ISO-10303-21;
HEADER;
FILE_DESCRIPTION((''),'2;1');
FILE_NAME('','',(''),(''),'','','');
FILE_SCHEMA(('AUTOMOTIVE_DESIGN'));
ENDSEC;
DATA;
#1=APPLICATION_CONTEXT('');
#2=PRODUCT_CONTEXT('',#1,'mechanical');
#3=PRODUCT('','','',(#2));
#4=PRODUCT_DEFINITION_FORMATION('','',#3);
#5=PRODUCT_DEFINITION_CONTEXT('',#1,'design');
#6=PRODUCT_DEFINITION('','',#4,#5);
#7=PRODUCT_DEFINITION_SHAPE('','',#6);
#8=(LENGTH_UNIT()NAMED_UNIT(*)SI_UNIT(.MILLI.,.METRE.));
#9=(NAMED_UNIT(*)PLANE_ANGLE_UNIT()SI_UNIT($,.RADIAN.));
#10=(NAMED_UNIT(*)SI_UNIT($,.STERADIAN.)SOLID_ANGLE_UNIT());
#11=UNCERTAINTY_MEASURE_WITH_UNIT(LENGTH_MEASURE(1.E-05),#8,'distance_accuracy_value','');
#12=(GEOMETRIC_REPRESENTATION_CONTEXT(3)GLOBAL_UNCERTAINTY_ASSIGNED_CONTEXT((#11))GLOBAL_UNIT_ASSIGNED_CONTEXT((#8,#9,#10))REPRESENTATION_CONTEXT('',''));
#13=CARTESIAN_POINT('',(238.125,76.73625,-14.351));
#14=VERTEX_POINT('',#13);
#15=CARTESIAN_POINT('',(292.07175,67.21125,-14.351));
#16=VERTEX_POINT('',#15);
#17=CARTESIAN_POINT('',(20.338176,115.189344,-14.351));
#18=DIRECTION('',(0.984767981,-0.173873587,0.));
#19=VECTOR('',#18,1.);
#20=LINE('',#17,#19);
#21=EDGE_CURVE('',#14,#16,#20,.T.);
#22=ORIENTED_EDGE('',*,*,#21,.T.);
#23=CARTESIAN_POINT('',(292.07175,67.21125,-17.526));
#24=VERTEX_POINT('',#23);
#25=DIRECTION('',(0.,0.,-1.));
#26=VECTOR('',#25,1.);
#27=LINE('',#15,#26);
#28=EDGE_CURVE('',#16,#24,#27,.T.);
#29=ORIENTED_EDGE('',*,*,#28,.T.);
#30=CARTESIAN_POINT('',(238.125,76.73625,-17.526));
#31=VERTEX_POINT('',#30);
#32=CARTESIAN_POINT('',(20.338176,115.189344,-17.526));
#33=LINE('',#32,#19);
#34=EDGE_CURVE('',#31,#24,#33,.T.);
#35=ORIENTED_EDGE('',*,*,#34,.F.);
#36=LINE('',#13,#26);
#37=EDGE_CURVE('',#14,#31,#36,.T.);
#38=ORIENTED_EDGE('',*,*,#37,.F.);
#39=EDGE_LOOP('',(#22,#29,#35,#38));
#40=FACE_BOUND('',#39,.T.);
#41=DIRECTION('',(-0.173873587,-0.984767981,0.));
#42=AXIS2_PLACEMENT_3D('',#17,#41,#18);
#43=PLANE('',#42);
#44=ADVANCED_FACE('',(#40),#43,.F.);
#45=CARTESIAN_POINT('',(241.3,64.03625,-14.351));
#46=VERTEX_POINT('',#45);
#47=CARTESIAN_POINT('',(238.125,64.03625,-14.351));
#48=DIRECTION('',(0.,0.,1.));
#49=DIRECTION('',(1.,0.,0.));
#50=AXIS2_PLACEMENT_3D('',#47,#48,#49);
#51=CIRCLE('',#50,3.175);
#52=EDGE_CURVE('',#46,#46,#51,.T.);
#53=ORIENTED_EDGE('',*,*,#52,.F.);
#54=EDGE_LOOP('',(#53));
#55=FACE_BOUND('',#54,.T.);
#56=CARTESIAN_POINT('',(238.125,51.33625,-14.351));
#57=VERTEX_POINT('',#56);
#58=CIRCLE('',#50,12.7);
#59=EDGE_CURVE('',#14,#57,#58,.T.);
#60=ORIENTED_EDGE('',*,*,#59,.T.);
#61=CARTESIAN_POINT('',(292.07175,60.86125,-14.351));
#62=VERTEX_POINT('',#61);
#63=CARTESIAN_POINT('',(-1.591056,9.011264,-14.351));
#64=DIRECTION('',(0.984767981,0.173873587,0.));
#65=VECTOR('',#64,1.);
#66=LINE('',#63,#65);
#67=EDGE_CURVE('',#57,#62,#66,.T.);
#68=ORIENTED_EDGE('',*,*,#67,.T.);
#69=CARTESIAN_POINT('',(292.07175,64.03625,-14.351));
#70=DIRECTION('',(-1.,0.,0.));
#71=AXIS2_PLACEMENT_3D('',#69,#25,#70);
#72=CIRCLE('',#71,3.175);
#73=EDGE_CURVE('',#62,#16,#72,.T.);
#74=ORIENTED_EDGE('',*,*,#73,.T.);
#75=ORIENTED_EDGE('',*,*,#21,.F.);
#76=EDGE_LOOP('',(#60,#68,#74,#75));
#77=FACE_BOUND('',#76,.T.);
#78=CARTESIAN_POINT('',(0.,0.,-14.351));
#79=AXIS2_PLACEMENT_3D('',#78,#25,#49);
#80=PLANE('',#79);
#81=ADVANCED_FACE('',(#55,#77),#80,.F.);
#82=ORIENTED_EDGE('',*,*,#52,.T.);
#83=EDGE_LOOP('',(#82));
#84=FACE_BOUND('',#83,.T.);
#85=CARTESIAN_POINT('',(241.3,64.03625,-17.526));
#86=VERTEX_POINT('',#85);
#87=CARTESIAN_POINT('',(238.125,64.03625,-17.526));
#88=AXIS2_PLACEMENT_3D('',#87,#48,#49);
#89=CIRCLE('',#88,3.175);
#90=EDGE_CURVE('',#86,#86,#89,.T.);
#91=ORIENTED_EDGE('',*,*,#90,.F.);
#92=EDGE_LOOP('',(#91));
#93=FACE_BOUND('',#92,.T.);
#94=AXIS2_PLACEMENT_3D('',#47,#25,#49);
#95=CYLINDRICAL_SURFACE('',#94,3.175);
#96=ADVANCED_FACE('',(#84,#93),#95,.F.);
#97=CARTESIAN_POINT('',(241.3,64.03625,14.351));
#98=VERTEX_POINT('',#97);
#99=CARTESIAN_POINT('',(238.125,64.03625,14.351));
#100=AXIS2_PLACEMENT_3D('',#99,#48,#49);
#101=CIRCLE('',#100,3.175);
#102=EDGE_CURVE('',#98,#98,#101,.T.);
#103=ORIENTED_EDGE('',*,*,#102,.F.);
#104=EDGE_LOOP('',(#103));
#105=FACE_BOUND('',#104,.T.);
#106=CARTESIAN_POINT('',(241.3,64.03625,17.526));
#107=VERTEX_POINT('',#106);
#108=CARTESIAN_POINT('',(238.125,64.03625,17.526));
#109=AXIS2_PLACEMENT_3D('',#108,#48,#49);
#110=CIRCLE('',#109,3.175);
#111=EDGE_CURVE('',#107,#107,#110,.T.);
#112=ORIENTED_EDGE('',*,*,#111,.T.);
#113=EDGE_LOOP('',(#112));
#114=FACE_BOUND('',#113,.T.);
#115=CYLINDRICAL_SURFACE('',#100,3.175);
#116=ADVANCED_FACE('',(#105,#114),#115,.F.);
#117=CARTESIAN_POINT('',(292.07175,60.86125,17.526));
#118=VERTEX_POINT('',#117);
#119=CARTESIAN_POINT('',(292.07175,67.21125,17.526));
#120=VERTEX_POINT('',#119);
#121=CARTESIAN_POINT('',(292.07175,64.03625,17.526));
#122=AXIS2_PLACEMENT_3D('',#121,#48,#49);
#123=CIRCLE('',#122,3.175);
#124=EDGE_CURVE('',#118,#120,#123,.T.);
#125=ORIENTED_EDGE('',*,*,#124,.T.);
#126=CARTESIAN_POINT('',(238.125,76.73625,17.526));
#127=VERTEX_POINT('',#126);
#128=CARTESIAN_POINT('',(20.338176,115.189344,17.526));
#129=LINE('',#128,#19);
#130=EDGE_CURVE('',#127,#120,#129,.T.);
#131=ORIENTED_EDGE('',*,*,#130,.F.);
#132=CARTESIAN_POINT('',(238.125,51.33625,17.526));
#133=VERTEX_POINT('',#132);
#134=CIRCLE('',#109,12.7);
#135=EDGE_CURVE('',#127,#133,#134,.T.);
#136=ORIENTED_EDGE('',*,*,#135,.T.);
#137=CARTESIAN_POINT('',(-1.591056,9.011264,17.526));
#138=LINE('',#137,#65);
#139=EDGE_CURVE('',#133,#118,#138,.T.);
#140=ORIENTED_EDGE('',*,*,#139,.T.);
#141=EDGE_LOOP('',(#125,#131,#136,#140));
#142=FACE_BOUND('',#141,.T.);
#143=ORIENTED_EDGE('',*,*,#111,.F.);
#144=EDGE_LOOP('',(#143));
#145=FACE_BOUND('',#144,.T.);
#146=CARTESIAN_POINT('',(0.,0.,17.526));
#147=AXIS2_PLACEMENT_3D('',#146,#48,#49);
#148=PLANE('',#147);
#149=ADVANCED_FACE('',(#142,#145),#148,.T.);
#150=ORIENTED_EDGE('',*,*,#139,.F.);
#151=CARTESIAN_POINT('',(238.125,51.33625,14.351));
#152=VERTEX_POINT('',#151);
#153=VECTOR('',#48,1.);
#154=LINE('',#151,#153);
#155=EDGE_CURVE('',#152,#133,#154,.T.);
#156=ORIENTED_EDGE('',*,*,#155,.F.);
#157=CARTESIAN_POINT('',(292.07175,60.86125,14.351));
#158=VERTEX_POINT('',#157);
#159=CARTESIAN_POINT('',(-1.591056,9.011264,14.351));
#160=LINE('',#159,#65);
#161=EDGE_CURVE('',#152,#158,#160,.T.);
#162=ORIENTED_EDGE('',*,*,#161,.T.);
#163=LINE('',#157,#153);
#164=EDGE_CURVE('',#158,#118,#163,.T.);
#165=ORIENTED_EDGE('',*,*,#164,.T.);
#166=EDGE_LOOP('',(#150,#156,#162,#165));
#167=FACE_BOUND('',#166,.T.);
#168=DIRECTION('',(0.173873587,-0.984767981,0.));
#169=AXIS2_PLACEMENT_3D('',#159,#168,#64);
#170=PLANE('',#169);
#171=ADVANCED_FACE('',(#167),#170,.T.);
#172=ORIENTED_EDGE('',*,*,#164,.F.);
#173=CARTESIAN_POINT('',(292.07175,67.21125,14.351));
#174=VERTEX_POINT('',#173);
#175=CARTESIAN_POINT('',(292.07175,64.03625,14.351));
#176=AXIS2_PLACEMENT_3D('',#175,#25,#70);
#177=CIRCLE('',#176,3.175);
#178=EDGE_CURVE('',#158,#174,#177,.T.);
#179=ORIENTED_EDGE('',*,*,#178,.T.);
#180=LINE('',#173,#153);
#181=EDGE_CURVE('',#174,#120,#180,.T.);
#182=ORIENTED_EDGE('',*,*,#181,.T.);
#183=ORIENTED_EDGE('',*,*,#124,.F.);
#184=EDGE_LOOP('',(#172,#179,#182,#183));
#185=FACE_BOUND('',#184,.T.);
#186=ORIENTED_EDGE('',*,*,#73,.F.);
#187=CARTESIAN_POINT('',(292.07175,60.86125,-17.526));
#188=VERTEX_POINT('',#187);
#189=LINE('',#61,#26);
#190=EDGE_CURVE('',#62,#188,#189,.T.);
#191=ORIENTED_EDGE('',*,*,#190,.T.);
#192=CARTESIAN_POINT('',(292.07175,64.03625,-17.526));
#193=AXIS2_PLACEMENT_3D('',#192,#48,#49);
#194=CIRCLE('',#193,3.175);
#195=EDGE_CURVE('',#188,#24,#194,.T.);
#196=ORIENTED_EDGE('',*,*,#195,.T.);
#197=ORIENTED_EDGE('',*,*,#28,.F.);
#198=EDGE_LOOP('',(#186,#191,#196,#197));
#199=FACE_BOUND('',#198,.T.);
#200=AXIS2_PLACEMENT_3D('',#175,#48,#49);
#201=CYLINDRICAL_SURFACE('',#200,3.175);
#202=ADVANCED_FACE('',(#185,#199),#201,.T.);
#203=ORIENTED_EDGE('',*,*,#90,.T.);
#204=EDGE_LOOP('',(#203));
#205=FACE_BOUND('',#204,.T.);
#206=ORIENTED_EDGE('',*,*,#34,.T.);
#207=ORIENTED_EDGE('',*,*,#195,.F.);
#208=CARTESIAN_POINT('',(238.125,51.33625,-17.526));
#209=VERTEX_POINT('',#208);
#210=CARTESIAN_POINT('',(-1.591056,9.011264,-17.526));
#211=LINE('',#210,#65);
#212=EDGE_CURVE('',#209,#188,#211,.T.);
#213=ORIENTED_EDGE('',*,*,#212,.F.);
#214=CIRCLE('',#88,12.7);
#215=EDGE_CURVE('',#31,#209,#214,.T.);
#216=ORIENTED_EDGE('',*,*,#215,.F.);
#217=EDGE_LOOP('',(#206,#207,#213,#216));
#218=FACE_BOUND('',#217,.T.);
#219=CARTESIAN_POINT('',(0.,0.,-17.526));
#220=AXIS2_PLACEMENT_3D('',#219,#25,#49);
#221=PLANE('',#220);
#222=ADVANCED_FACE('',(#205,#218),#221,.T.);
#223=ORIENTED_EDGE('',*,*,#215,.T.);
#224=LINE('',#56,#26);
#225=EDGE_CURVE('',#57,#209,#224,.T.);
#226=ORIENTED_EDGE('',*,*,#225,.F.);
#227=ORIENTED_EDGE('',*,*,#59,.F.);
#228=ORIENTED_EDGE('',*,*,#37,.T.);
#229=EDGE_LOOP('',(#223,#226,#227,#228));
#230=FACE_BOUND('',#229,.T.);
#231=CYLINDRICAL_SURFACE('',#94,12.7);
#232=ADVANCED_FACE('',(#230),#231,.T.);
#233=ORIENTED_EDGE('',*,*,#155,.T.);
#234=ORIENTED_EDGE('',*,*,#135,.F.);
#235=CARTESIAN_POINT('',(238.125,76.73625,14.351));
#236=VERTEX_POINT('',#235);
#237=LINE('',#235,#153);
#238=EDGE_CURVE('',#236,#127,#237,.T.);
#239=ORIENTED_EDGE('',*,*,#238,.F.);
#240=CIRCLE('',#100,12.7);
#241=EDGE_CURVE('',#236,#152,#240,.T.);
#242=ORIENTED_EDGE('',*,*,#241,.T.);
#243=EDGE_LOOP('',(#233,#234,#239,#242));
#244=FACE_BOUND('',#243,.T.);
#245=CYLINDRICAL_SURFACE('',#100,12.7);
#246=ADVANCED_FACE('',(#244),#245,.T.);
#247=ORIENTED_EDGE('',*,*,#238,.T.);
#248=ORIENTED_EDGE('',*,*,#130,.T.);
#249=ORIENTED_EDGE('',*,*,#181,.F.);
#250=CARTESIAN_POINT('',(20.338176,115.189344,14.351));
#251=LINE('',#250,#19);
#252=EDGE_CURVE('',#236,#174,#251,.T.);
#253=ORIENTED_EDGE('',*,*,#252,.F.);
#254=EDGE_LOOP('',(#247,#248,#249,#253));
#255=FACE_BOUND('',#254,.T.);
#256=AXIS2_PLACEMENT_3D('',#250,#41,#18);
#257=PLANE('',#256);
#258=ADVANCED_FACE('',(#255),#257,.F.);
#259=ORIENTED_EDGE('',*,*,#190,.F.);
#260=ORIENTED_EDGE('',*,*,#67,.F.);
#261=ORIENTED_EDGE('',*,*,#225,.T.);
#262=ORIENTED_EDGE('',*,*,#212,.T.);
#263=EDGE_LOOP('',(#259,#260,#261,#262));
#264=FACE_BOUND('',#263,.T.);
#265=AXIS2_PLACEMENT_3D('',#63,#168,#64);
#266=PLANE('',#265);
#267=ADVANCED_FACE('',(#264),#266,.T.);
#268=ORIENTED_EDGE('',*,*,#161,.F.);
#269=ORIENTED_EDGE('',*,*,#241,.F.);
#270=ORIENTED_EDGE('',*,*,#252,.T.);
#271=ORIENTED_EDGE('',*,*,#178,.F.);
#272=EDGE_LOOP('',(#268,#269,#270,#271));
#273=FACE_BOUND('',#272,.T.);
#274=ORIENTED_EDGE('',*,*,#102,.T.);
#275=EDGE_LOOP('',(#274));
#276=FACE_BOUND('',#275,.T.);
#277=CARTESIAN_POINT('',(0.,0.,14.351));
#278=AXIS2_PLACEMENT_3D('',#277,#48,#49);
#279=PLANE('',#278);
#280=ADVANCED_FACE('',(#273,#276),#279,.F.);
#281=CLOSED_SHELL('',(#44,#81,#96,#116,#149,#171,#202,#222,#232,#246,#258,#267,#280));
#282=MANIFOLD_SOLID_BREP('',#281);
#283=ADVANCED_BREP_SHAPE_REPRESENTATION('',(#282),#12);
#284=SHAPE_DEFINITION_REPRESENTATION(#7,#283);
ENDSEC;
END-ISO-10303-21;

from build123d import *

# Parameters (mm, degrees)
SKETCH2_R           = 3.175
BOSS_EXTRUDE1_DEPTH = 3.175
SKETCH3_R           = 3.175
BOSS_EXTRUDE2_DEPTH = 14.351


with BuildPart() as part:
    # Sketch2 → Boss-Extrude1 (new body)
    with BuildSketch(Plane.XY.offset(17.526)):
        with BuildLine():
            ThreePointArc((238.125, 76.736249645), (225.425, 64.036249645), (238.125, 51.336249645))
            Line((238.125, 51.336249645), (242.474118596, 52.104143065))
            ThreePointArc((242.474118596, 52.104143065), (248.529898033, 56.754210308), (250.825, 64.036249645))
            ThreePointArc((250.825, 64.036249645), (248.529898033, 71.318288983), (242.474118596, 75.968356225))
            Line((242.474118596, 75.968356225), (238.125, 76.736249645))
        make_face()
        with Locations((238.125, 64.036249645)):
            Circle(SKETCH2_R, mode=Mode.SUBTRACT)
        with BuildLine():
            ThreePointArc((250.825, 64.036249645), (248.529898033, 56.754210308), (242.474118596, 52.104143065))
            Line((242.474118596, 52.104143065), (292.071750355, 60.861249645))
            ThreePointArc((292.071750355, 60.861249645), (288.896750355, 64.036249645), (292.071750355, 67.211249645))
            Line((292.071750355, 67.211249645), (242.474118596, 75.968356225))
            ThreePointArc((242.474118596, 75.968356225), (248.529898033, 71.318288983), (250.825, 64.036249645))
        make_face()
        with Locations((292.071750355, 64.036249645)):
            Circle(SKETCH2_R)
    boss_extrude1 = extrude(amount=-BOSS_EXTRUDE1_DEPTH)

    # Sketch3 → Boss-Extrude2 (add)
    with BuildSketch(Plane(origin=(0, 0, 14.351), x_dir=(-1, 0, 0), z_dir=(0, 0, -1))):
        with Locations((-292.071750355, 64.036249645)):
            Circle(SKETCH3_R)
    boss_extrude2 = extrude(amount=BOSS_EXTRUDE2_DEPTH)

    # Mirror1: Boss-Extrude1, Boss-Extrude2 across plane
    add(boss_extrude1.mirror(Plane.XY))
    add(boss_extrude2.mirror(Plane.XY))


solid = part.part
